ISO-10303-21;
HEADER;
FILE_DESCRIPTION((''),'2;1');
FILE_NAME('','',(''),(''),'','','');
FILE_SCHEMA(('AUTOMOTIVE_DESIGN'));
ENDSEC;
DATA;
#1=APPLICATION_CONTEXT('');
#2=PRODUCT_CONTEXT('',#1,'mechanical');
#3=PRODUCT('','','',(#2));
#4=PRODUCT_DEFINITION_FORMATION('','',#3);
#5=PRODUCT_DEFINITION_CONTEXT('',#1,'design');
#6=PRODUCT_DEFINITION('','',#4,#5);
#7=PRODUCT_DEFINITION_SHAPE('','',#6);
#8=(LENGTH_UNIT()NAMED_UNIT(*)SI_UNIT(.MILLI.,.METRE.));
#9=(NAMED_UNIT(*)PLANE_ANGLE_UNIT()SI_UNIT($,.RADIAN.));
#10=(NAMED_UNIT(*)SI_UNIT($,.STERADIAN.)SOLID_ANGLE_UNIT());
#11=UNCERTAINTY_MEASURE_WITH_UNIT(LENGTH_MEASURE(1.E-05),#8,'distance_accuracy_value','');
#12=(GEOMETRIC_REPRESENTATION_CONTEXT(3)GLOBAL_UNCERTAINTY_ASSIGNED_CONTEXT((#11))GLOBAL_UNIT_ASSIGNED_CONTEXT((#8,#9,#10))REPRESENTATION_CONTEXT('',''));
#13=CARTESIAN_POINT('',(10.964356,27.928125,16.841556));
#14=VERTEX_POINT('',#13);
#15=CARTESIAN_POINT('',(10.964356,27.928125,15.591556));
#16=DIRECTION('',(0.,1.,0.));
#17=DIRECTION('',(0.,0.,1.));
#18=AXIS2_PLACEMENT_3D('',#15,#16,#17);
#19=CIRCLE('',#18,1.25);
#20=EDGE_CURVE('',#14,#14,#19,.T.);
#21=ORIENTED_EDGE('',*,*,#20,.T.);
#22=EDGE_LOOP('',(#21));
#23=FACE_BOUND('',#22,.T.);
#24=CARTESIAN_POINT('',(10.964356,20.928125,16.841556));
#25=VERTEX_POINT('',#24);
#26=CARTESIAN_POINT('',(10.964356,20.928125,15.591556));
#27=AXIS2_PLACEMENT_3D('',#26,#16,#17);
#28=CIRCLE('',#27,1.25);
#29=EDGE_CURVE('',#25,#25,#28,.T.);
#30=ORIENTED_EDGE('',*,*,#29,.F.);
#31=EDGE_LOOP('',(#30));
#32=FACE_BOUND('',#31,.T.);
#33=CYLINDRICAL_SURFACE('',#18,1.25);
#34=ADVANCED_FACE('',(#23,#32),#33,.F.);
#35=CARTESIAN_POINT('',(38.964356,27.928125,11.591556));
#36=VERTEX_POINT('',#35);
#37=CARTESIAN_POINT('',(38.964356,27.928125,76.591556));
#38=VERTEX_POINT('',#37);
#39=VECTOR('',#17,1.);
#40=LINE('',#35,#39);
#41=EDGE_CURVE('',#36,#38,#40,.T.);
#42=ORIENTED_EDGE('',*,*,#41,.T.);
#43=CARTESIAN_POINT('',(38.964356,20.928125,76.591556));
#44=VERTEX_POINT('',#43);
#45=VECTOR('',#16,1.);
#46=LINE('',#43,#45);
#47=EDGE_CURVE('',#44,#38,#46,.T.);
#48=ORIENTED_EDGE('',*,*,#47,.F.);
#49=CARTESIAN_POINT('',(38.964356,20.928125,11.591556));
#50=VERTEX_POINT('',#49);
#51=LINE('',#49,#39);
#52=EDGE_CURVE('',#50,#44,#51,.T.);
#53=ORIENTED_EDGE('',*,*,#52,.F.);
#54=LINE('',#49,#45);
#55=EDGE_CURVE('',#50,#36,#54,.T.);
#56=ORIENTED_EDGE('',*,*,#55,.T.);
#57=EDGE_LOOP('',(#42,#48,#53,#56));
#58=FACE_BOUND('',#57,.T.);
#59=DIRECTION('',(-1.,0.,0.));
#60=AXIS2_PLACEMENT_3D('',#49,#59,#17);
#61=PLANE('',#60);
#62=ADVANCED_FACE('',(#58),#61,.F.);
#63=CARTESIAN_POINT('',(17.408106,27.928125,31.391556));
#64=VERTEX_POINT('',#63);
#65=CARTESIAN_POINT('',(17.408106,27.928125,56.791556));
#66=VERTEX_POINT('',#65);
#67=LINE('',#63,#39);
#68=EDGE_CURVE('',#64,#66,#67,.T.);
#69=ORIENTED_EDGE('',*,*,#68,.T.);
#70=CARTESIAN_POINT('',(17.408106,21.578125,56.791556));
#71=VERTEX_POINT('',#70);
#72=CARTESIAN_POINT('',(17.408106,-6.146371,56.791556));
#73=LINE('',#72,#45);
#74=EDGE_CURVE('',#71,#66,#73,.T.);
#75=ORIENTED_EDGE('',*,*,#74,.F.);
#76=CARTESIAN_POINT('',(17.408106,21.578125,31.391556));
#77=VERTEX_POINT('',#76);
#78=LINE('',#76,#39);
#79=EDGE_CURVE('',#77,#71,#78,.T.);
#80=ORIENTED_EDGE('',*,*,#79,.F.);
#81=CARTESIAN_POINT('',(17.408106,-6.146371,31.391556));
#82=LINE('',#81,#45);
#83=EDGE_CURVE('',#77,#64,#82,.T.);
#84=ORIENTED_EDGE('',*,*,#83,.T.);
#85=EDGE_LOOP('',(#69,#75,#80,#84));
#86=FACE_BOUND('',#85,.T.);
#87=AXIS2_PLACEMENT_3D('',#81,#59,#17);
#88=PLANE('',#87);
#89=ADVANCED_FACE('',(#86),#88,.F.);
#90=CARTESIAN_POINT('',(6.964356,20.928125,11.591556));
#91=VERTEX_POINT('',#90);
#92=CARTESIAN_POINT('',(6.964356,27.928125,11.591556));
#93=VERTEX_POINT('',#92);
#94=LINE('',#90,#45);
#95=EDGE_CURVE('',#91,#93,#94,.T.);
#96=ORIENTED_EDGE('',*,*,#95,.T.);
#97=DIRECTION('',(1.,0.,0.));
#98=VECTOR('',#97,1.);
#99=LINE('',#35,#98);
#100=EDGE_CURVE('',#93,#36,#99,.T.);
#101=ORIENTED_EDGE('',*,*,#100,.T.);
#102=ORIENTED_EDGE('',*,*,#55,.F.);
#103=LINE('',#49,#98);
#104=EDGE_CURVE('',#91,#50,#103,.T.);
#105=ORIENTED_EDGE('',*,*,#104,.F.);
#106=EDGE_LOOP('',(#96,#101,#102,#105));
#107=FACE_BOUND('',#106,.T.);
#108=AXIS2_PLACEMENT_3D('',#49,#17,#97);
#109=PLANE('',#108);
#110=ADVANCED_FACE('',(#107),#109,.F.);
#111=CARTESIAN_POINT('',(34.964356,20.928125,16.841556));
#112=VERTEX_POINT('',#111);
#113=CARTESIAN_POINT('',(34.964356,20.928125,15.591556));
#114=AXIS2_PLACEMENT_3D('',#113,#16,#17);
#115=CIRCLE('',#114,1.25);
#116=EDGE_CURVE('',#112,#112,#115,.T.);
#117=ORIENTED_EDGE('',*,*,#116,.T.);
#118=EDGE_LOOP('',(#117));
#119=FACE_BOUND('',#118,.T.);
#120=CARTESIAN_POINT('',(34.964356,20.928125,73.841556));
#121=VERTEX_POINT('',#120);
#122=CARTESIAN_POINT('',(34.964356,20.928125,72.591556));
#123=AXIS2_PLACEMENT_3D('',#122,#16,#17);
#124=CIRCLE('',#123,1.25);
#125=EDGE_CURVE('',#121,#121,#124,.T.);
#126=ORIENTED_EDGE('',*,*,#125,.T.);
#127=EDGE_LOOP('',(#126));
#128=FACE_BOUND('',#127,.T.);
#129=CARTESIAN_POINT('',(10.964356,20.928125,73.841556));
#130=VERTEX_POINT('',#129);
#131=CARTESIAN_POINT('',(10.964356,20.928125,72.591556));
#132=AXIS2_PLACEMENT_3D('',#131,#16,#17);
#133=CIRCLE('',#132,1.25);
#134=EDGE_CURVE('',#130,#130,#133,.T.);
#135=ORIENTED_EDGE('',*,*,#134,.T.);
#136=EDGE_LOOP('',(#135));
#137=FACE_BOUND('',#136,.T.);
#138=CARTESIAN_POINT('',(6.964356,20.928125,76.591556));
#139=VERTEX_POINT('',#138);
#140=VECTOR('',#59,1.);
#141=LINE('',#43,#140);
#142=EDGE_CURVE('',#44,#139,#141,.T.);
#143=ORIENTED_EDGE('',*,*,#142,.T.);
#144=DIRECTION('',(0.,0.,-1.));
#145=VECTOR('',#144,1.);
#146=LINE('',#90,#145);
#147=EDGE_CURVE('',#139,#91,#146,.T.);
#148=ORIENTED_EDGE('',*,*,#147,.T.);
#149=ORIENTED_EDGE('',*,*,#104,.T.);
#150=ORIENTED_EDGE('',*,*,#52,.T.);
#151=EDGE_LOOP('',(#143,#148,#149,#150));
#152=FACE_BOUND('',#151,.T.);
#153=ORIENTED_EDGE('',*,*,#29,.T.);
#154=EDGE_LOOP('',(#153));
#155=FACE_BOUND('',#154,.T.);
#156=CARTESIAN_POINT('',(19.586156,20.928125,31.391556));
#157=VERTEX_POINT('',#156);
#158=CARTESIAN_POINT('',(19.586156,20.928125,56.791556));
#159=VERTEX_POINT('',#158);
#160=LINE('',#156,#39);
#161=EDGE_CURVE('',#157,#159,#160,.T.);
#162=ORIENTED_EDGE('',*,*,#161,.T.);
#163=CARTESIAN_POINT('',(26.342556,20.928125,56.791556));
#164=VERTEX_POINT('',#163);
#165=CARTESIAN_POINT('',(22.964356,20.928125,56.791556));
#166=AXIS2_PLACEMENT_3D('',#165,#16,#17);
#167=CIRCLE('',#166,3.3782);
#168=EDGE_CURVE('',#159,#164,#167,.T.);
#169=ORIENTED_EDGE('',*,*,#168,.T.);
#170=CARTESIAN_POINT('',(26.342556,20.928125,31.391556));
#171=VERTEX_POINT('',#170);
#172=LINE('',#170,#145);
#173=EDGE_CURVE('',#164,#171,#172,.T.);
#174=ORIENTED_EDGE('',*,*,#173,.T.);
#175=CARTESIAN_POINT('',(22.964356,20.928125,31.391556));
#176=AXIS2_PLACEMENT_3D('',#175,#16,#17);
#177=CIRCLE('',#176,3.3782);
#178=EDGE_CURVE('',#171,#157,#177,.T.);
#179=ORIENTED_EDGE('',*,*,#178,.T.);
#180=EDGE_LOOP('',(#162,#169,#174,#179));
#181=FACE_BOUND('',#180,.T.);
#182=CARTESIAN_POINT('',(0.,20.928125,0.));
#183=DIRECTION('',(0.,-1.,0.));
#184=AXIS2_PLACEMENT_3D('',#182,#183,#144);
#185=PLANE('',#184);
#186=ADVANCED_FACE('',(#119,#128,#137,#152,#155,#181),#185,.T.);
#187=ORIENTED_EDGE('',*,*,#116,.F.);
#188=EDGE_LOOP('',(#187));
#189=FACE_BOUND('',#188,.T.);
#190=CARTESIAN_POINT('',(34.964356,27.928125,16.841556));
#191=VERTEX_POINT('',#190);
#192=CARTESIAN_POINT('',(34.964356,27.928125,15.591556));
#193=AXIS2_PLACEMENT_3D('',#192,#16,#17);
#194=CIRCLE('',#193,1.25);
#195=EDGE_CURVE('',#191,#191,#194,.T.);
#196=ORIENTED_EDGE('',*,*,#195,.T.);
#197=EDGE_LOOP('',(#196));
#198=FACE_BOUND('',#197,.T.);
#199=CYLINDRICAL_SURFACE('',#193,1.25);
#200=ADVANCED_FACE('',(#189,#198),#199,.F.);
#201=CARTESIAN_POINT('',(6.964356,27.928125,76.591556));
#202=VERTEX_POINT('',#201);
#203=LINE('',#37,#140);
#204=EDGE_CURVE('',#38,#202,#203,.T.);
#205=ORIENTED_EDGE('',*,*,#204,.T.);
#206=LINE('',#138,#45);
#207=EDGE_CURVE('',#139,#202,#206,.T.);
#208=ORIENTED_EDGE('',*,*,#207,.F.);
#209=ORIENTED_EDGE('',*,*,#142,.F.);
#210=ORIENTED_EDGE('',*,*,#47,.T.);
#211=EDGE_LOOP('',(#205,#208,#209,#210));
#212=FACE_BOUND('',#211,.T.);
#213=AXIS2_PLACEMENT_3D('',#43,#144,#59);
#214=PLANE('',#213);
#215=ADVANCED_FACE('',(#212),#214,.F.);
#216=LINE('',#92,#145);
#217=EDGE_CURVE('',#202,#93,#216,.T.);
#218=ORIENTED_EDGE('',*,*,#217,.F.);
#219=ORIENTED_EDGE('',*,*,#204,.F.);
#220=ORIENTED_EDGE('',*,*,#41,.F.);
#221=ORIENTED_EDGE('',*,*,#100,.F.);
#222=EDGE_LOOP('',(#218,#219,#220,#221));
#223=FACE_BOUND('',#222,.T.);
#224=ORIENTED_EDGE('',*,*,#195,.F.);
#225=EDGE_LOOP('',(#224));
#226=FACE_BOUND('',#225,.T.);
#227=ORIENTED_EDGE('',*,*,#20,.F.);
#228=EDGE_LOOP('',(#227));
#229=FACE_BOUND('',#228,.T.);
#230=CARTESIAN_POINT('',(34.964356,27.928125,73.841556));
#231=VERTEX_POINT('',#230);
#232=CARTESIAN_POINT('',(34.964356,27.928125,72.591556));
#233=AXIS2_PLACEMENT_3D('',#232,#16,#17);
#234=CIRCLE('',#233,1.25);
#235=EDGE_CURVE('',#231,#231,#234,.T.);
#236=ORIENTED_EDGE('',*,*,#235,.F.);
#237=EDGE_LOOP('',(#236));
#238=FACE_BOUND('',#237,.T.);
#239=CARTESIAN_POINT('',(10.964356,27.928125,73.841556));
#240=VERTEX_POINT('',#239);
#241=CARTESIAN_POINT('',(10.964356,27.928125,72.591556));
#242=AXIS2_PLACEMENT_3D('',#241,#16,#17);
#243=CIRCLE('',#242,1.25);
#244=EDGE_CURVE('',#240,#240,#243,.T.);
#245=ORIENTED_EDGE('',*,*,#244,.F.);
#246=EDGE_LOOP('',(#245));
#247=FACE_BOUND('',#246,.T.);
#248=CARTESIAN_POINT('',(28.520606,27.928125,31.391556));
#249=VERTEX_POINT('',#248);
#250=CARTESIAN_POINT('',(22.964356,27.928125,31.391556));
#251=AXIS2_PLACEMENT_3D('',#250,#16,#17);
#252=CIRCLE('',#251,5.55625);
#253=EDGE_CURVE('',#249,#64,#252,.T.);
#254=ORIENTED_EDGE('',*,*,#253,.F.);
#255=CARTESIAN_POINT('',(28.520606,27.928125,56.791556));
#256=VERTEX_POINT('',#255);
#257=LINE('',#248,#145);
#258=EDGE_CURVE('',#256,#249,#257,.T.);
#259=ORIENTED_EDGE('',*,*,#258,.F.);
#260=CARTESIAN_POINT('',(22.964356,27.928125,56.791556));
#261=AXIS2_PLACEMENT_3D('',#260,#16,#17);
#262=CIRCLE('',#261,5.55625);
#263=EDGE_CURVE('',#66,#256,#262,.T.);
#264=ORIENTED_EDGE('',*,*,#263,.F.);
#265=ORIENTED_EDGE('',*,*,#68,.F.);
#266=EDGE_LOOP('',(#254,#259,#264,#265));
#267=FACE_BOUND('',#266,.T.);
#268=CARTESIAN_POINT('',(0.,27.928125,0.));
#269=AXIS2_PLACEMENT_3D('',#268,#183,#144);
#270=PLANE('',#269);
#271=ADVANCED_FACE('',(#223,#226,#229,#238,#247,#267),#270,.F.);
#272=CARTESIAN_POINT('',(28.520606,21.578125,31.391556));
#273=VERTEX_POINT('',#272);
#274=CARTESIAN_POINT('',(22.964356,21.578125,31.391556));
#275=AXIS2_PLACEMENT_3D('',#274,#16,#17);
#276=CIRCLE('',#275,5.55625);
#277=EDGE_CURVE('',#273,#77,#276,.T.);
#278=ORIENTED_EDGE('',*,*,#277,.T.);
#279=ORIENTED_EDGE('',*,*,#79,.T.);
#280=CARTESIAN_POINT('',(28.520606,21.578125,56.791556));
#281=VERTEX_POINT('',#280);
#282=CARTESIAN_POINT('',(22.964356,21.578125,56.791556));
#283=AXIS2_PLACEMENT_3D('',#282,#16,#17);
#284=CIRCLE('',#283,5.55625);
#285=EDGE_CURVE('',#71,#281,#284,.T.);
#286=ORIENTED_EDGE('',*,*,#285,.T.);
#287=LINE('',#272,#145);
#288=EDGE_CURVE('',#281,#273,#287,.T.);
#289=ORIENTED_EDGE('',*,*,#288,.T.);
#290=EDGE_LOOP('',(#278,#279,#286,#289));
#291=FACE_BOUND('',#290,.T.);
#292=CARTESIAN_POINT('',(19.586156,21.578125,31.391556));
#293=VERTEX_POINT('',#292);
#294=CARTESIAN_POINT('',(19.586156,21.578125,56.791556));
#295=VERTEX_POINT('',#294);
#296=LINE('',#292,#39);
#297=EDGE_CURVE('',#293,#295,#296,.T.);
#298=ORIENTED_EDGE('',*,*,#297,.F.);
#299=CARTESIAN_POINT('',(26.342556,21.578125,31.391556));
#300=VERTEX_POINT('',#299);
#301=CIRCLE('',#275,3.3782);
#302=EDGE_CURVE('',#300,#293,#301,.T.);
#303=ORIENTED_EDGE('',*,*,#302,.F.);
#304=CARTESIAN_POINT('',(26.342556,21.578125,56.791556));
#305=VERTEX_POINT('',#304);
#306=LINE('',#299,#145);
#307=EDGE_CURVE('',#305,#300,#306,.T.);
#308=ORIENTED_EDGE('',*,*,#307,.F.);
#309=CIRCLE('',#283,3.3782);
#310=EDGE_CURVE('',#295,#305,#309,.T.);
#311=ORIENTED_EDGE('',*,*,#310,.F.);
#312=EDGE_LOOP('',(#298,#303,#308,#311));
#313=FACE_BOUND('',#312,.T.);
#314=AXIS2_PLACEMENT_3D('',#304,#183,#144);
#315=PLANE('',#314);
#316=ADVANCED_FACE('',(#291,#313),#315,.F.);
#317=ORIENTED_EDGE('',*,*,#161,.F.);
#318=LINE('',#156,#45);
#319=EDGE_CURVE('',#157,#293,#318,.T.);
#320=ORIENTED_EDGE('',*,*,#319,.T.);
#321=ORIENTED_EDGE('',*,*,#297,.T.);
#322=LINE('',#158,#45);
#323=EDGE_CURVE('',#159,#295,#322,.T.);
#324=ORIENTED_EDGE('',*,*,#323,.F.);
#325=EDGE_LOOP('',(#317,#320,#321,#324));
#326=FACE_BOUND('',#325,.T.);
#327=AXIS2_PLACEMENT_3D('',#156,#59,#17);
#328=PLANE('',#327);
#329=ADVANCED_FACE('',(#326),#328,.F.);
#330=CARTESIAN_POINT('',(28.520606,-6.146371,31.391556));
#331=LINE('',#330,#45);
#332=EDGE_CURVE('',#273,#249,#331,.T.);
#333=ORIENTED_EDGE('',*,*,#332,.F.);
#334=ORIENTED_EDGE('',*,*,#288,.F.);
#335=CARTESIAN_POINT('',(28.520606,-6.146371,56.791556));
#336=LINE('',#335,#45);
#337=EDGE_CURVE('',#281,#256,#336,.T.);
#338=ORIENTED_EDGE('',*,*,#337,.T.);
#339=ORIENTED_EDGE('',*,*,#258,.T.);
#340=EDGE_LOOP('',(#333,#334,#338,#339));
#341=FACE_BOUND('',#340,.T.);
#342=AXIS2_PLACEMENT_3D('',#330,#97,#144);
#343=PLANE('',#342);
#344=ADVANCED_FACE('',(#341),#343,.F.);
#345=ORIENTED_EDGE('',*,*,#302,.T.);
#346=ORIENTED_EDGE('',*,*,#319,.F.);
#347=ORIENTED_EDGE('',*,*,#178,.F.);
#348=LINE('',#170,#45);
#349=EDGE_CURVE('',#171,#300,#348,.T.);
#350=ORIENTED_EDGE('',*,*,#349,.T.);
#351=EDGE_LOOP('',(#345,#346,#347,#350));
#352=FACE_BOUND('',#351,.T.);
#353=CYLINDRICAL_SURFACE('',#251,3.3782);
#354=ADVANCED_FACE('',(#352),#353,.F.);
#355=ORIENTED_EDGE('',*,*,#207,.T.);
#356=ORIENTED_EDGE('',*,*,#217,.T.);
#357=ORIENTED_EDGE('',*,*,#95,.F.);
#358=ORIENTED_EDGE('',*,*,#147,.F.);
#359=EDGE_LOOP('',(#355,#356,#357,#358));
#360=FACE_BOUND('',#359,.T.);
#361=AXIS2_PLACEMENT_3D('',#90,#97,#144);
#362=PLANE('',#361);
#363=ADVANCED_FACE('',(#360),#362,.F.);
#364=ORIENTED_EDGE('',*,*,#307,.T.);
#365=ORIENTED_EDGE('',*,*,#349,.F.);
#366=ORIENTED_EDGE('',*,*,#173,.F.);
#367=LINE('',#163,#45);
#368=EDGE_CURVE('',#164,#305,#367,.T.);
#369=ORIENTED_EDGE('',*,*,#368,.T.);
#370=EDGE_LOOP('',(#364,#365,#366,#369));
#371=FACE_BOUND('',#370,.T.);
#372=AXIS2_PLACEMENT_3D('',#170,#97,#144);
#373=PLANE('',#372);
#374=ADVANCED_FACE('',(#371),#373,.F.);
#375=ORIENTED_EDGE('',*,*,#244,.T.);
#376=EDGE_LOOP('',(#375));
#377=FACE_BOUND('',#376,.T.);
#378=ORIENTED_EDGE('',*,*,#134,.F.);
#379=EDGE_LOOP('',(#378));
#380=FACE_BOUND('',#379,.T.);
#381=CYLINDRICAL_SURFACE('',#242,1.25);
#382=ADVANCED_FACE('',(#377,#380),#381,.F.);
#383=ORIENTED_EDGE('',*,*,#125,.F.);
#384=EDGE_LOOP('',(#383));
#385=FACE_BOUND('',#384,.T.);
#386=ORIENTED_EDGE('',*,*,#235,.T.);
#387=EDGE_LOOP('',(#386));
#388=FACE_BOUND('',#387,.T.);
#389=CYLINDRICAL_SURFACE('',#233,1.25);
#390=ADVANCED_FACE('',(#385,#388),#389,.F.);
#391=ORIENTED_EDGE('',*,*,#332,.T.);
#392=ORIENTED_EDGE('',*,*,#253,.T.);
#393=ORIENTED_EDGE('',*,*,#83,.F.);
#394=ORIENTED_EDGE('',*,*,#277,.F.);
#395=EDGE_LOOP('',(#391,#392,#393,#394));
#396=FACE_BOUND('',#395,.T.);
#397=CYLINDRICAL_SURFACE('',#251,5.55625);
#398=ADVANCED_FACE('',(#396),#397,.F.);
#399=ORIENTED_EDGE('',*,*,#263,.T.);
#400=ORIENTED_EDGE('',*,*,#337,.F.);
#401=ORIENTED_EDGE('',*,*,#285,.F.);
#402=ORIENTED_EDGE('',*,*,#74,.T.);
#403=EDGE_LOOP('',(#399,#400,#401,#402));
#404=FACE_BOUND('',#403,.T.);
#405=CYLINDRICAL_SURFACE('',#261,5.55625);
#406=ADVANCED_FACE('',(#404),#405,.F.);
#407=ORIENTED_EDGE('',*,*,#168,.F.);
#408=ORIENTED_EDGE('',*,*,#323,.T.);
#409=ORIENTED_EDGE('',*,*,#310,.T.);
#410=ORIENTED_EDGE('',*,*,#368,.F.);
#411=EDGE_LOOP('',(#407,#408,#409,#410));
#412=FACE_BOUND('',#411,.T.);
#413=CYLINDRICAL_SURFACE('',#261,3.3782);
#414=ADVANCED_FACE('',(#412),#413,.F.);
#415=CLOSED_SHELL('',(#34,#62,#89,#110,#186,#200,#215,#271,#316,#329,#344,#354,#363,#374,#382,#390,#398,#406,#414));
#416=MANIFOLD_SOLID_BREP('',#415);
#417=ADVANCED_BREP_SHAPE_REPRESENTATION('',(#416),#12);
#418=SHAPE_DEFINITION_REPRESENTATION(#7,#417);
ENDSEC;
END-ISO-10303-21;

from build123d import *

# Parameters (mm, degrees)
SKETCH1_W                                        = 32
SKETCH1_H                                        = 65
BOSS_EXTRUDE1_DEPTH                              = 7
TAP_DRILL_FOR_M3X0_5_TAP1_D                      = 2.5
CBORE_FOR_1_4_SOCKET_HEAD_CAP_SCREW1_D           = 6.7564
CBORE_FOR_1_4_SOCKET_HEAD_CAP_SCREW1_CBORE_D     = 11.1125
CBORE_FOR_1_4_SOCKET_HEAD_CAP_SCREW1_CBORE_DEPTH = 6.35
SKETCH6_W                                        = 11.1125
SKETCH6_H                                        = 25.4
CUT_EXTRUDE1_DEPTH                               = 6.35
SKETCH7_W                                        = 6.7564
SKETCH7_H                                        = 25.4
CUT_EXTRUDE2_DEPTH                               = 87.167337251


with BuildPart() as part:
    # Sketch1 → Boss-Extrude1 (new body)
    with BuildSketch(Plane.XZ.offset(-27.928124556)):
        with Locations((22.96435644, 44.091555907)):
            Rectangle(SKETCH1_W, SKETCH1_H)
    extrude(amount=BOSS_EXTRUDE1_DEPTH)

    # Tap Drill for M3x0.5 Tap1 (through all)
    with Locations(Plane(origin=(0, 27.928124556, 0), x_dir=(1, 0, 0), z_dir=(0, 1, 0))):
        with Locations((10.96435606, -15.591555987), (34.96435632, -15.591555987), (34.96435632, -72.591556287), (10.96435606, -72.591556287)):
            Hole(TAP_DRILL_FOR_M3X0_5_TAP1_D / 2)

    # CBORE for 1/4 Socket Head Cap Screw1 (through all)
    with Locations(Plane(origin=(0, 27.928124556, 0), x_dir=(1, 0, 0), z_dir=(0, 1, 0))):
        with Locations((22.96435644, -31.391555907), (22.96435644, -56.791555907)):
            CounterBoreHole(CBORE_FOR_1_4_SOCKET_HEAD_CAP_SCREW1_D / 2, CBORE_FOR_1_4_SOCKET_HEAD_CAP_SCREW1_CBORE_D / 2, CBORE_FOR_1_4_SOCKET_HEAD_CAP_SCREW1_CBORE_DEPTH)

    # Sketch6 → Cut-Extrude1 (cut)
    with BuildSketch(Plane(origin=(0, 27.928124556, 0), x_dir=(1, 0, 0), z_dir=(0, 1, 0))):
        with Locations((22.96435644, -44.091555907)):
            Rectangle(SKETCH6_W, SKETCH6_H)
    extrude(amount=-CUT_EXTRUDE1_DEPTH, mode=Mode.SUBTRACT)

    # Sketch7 → Cut-Extrude2 (cut, through all)
    with BuildSketch(Plane(origin=(0, 21.578124556, 0), x_dir=(1, 0, 0), z_dir=(0, 1, 0))):
        with Locations((22.96435644, -44.091555907)):
            Rectangle(SKETCH7_W, SKETCH7_H)
    extrude(amount=-CUT_EXTRUDE2_DEPTH, mode=Mode.SUBTRACT)


solid = part.part
